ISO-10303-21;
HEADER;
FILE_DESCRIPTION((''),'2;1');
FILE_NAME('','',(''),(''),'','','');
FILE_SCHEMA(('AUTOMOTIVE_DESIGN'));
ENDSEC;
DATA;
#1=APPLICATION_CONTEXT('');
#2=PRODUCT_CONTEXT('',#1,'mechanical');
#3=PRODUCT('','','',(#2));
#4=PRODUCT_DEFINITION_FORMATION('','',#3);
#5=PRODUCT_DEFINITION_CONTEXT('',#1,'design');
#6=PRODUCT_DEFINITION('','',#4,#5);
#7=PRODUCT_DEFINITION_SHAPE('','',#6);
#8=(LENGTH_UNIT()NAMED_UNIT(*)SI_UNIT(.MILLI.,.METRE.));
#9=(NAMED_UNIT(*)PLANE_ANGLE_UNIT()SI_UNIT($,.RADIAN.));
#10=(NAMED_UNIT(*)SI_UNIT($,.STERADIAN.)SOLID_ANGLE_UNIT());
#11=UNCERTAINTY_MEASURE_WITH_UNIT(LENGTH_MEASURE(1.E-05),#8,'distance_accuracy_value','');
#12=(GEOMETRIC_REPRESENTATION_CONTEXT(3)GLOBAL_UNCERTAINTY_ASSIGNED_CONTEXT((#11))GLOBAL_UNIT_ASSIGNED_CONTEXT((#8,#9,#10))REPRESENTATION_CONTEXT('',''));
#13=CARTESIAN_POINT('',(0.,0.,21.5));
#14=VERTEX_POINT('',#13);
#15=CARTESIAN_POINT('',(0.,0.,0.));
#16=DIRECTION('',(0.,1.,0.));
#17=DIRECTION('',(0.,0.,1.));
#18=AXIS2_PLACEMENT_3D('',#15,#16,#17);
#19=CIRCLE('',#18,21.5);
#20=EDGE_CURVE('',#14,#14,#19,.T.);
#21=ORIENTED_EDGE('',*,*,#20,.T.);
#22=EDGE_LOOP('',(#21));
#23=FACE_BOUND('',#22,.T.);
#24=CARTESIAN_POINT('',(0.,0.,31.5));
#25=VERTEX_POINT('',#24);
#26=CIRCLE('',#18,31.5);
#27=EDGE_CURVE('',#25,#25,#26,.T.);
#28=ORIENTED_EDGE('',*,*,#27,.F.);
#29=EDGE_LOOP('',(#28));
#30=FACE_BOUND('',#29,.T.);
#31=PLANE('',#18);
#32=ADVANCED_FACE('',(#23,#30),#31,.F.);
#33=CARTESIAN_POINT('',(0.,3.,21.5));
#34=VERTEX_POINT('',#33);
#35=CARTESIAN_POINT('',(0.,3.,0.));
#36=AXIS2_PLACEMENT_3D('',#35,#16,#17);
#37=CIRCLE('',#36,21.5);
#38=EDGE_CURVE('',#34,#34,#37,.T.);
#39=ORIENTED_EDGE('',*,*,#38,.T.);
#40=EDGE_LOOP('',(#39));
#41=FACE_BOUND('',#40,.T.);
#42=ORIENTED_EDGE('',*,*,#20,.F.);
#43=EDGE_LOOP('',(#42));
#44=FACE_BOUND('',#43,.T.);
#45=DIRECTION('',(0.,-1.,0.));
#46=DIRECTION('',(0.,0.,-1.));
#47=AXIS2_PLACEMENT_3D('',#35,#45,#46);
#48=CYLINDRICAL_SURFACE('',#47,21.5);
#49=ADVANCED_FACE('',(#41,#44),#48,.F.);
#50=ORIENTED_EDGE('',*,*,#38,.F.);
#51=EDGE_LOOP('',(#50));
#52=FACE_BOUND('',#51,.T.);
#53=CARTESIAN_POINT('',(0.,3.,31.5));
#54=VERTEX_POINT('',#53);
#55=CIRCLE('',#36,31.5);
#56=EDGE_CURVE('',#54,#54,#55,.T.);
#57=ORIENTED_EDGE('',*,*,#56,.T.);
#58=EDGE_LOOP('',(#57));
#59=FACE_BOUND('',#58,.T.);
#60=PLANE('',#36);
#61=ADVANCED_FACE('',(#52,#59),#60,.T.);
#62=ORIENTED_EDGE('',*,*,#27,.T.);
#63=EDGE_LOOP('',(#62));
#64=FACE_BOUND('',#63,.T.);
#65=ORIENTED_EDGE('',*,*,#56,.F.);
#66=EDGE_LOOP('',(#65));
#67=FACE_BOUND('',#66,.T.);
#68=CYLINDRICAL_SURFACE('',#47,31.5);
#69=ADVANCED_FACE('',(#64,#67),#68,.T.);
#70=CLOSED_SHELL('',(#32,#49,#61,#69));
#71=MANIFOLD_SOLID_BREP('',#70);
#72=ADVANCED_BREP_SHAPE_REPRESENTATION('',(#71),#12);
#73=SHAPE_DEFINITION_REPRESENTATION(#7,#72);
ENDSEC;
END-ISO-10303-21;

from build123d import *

# Parameters (mm, degrees)
SKETCH1_R           = 31.5
SKETCH1_R_2         = 21.5
BOSS_EXTRUDE1_DEPTH = 3


with BuildPart() as part:
    # Sketch1 → Boss-Extrude1 (new body)
    with BuildSketch(Plane(origin=(0, 0, 0), x_dir=(1, 0, 0), z_dir=(0, 1, 0))):
        with Locations(Location((0, 0, 0), (0, 0, 270))):
            Circle(SKETCH1_R)
        with Locations(Location((0, 0, 0), (0, 0, 270))):
            Circle(SKETCH1_R_2, mode=Mode.SUBTRACT)
    extrude(amount=BOSS_EXTRUDE1_DEPTH)


solid = part.part
